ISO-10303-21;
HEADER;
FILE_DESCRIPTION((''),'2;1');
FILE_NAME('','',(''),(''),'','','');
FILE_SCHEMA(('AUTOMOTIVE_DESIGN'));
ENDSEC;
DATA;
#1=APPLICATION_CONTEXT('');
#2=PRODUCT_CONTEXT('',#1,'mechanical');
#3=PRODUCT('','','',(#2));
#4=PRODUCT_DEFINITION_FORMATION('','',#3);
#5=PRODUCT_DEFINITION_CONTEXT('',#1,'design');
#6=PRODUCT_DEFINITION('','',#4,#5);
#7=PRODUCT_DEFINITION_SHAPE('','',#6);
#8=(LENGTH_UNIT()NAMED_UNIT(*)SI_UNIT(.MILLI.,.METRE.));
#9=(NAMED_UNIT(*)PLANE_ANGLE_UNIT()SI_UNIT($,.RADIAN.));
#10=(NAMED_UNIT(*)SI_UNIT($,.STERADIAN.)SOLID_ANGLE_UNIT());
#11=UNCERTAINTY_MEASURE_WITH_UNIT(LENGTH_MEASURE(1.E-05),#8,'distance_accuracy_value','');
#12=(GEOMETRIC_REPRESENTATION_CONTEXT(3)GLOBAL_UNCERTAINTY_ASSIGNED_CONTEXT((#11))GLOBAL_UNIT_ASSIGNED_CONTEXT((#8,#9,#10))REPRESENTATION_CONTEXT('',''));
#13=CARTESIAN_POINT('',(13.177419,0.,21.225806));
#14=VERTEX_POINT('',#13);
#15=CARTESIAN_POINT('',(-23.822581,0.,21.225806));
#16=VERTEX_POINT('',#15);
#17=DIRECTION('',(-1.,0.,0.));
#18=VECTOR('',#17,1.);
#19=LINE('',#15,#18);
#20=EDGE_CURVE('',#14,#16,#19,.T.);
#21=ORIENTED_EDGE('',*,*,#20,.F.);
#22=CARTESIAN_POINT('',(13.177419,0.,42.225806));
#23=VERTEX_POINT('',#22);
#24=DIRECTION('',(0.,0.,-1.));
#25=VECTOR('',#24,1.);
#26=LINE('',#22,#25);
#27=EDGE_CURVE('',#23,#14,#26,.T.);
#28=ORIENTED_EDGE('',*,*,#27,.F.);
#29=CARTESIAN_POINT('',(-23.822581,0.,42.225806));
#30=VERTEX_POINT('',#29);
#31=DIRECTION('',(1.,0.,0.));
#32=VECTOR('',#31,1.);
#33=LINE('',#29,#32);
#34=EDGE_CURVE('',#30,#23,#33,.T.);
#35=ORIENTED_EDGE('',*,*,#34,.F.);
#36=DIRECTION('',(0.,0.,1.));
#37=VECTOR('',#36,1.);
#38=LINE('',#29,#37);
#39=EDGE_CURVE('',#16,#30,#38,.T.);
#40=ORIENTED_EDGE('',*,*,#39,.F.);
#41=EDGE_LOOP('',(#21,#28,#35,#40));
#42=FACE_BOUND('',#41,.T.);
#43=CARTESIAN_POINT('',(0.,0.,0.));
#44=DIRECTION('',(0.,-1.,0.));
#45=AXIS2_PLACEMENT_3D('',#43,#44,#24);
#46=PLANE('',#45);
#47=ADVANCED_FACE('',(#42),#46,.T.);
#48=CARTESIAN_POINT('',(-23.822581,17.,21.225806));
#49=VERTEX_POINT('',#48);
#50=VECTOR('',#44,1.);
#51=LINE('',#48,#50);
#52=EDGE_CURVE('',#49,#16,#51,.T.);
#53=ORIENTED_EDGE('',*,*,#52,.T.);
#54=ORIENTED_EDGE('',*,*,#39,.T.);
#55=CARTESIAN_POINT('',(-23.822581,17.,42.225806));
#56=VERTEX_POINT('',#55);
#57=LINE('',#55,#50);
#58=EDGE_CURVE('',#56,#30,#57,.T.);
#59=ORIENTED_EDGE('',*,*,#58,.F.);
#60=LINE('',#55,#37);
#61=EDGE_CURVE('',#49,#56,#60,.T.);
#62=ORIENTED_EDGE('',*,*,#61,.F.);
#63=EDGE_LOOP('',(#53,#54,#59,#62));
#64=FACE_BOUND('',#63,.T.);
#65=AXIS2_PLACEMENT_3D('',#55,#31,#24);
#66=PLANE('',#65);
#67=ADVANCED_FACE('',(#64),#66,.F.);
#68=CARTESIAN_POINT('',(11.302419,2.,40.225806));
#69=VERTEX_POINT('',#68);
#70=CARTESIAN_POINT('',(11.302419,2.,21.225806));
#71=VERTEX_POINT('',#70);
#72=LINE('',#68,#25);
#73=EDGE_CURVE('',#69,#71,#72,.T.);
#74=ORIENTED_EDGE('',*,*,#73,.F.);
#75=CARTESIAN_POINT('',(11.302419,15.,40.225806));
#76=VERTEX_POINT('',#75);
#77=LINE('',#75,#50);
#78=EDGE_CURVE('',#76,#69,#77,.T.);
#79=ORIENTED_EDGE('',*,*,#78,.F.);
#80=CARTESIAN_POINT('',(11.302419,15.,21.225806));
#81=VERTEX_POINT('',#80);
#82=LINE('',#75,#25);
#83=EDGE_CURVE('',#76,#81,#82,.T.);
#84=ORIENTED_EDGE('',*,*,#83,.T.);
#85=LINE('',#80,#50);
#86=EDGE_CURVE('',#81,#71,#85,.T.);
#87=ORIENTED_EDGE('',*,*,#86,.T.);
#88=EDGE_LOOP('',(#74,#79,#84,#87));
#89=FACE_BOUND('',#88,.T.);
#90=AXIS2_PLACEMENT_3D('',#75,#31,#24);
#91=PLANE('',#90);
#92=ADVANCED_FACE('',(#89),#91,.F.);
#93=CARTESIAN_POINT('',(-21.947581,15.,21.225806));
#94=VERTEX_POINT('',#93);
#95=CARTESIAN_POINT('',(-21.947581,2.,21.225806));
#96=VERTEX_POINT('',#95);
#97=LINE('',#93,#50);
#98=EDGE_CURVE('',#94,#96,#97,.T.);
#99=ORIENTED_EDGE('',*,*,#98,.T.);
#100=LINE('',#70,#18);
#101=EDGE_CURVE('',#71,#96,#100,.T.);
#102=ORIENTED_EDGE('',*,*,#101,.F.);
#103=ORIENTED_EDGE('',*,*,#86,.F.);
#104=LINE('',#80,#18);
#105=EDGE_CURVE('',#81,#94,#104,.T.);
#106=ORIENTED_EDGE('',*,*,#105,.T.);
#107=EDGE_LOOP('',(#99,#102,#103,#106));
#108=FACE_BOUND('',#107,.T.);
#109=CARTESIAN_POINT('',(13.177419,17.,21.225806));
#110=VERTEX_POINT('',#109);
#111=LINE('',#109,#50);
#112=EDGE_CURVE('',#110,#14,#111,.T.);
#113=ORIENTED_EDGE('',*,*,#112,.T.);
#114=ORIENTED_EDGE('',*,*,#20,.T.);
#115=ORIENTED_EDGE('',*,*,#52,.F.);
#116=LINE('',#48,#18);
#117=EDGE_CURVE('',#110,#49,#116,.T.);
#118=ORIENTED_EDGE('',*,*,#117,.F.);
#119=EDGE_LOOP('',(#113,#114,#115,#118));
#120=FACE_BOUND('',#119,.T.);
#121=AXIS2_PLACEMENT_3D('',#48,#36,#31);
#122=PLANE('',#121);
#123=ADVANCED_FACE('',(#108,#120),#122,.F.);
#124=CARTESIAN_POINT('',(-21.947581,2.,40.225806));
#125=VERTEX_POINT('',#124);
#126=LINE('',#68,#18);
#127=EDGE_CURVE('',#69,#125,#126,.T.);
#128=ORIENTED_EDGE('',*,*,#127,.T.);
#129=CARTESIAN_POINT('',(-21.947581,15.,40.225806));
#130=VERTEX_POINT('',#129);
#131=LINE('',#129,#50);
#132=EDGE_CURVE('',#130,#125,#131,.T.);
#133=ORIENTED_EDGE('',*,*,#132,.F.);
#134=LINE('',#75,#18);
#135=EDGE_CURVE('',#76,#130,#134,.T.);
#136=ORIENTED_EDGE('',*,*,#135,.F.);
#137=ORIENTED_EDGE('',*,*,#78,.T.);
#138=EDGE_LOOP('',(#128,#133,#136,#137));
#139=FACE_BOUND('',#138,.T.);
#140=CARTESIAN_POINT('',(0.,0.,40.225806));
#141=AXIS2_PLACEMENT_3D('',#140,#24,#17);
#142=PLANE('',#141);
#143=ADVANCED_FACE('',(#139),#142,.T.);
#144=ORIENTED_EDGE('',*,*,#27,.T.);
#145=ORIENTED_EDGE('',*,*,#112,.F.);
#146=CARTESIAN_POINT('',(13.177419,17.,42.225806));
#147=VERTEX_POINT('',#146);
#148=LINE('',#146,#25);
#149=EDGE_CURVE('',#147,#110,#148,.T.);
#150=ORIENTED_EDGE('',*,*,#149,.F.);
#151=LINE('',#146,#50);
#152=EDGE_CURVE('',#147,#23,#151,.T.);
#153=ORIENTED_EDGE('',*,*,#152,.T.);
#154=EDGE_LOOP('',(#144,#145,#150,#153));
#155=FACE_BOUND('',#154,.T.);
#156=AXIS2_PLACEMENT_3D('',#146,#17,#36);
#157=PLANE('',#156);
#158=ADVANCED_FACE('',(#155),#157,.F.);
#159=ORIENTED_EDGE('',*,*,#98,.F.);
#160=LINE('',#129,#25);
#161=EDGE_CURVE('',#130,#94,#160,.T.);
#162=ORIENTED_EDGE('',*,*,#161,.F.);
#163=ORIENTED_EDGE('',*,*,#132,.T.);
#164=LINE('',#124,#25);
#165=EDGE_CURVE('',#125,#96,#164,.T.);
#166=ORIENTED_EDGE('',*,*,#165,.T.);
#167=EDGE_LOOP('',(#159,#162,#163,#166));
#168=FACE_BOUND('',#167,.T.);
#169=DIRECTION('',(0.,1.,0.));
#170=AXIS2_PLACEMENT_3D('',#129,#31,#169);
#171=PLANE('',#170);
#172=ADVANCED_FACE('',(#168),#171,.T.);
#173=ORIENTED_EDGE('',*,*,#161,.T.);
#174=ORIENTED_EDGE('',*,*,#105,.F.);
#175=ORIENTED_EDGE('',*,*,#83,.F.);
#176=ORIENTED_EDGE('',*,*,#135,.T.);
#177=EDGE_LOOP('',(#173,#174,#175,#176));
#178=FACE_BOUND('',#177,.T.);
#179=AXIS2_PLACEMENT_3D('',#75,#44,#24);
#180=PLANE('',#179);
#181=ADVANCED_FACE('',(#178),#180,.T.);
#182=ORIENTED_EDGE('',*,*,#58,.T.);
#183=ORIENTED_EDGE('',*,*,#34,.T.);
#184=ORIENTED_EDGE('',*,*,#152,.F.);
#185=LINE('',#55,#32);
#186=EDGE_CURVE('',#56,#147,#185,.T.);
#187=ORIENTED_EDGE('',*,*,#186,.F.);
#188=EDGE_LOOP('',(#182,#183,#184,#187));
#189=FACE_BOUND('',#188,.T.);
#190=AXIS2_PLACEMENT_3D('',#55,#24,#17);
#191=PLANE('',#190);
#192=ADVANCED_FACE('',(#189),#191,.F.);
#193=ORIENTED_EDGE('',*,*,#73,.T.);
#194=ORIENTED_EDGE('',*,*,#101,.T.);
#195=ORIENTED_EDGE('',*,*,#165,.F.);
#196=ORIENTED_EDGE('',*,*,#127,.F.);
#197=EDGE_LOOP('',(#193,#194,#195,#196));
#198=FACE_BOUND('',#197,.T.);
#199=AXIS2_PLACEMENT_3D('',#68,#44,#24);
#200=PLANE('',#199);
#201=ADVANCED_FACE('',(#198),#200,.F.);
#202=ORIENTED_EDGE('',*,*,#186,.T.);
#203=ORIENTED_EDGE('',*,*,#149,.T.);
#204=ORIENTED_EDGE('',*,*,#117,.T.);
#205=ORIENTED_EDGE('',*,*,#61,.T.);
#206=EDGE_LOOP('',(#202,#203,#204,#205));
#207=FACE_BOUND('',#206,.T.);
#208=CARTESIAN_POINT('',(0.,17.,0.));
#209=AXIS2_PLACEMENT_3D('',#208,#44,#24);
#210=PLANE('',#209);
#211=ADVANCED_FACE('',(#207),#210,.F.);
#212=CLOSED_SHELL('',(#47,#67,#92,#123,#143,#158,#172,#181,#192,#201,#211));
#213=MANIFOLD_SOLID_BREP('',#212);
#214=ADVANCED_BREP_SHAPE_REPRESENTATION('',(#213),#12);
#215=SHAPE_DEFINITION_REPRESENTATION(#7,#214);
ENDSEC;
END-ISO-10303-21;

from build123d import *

# Parameters (mm, degrees)
SKETCH1_W           = 37
SKETCH1_H           = 21
BOSS_EXTRUDE1_DEPTH = 17
SKETCH4_W           = 33.25
SKETCH4_H           = 13
CUT_EXTRUDE1_DEPTH  = 19


with BuildPart() as part:
    # Sketch1 → Boss-Extrude1 (new body)
    with BuildSketch(Plane(origin=(0, 0, 0), x_dir=(1, 0, 0), z_dir=(0, 1, 0))):
        with Locations((-5.322580645, -31.725806452)):
            Rectangle(SKETCH1_W, SKETCH1_H)
    extrude(amount=BOSS_EXTRUDE1_DEPTH)

    # Sketch4 → Cut-Extrude1 (cut)
    with BuildSketch(Plane(origin=(0, 0, 21.225806452), x_dir=(-1, 0, 0), z_dir=(0, 0, -1))):
        with Locations((5.322580645, 8.5)):
            Rectangle(SKETCH4_W, SKETCH4_H)
    extrude(amount=-CUT_EXTRUDE1_DEPTH, mode=Mode.SUBTRACT)


solid = part.part
